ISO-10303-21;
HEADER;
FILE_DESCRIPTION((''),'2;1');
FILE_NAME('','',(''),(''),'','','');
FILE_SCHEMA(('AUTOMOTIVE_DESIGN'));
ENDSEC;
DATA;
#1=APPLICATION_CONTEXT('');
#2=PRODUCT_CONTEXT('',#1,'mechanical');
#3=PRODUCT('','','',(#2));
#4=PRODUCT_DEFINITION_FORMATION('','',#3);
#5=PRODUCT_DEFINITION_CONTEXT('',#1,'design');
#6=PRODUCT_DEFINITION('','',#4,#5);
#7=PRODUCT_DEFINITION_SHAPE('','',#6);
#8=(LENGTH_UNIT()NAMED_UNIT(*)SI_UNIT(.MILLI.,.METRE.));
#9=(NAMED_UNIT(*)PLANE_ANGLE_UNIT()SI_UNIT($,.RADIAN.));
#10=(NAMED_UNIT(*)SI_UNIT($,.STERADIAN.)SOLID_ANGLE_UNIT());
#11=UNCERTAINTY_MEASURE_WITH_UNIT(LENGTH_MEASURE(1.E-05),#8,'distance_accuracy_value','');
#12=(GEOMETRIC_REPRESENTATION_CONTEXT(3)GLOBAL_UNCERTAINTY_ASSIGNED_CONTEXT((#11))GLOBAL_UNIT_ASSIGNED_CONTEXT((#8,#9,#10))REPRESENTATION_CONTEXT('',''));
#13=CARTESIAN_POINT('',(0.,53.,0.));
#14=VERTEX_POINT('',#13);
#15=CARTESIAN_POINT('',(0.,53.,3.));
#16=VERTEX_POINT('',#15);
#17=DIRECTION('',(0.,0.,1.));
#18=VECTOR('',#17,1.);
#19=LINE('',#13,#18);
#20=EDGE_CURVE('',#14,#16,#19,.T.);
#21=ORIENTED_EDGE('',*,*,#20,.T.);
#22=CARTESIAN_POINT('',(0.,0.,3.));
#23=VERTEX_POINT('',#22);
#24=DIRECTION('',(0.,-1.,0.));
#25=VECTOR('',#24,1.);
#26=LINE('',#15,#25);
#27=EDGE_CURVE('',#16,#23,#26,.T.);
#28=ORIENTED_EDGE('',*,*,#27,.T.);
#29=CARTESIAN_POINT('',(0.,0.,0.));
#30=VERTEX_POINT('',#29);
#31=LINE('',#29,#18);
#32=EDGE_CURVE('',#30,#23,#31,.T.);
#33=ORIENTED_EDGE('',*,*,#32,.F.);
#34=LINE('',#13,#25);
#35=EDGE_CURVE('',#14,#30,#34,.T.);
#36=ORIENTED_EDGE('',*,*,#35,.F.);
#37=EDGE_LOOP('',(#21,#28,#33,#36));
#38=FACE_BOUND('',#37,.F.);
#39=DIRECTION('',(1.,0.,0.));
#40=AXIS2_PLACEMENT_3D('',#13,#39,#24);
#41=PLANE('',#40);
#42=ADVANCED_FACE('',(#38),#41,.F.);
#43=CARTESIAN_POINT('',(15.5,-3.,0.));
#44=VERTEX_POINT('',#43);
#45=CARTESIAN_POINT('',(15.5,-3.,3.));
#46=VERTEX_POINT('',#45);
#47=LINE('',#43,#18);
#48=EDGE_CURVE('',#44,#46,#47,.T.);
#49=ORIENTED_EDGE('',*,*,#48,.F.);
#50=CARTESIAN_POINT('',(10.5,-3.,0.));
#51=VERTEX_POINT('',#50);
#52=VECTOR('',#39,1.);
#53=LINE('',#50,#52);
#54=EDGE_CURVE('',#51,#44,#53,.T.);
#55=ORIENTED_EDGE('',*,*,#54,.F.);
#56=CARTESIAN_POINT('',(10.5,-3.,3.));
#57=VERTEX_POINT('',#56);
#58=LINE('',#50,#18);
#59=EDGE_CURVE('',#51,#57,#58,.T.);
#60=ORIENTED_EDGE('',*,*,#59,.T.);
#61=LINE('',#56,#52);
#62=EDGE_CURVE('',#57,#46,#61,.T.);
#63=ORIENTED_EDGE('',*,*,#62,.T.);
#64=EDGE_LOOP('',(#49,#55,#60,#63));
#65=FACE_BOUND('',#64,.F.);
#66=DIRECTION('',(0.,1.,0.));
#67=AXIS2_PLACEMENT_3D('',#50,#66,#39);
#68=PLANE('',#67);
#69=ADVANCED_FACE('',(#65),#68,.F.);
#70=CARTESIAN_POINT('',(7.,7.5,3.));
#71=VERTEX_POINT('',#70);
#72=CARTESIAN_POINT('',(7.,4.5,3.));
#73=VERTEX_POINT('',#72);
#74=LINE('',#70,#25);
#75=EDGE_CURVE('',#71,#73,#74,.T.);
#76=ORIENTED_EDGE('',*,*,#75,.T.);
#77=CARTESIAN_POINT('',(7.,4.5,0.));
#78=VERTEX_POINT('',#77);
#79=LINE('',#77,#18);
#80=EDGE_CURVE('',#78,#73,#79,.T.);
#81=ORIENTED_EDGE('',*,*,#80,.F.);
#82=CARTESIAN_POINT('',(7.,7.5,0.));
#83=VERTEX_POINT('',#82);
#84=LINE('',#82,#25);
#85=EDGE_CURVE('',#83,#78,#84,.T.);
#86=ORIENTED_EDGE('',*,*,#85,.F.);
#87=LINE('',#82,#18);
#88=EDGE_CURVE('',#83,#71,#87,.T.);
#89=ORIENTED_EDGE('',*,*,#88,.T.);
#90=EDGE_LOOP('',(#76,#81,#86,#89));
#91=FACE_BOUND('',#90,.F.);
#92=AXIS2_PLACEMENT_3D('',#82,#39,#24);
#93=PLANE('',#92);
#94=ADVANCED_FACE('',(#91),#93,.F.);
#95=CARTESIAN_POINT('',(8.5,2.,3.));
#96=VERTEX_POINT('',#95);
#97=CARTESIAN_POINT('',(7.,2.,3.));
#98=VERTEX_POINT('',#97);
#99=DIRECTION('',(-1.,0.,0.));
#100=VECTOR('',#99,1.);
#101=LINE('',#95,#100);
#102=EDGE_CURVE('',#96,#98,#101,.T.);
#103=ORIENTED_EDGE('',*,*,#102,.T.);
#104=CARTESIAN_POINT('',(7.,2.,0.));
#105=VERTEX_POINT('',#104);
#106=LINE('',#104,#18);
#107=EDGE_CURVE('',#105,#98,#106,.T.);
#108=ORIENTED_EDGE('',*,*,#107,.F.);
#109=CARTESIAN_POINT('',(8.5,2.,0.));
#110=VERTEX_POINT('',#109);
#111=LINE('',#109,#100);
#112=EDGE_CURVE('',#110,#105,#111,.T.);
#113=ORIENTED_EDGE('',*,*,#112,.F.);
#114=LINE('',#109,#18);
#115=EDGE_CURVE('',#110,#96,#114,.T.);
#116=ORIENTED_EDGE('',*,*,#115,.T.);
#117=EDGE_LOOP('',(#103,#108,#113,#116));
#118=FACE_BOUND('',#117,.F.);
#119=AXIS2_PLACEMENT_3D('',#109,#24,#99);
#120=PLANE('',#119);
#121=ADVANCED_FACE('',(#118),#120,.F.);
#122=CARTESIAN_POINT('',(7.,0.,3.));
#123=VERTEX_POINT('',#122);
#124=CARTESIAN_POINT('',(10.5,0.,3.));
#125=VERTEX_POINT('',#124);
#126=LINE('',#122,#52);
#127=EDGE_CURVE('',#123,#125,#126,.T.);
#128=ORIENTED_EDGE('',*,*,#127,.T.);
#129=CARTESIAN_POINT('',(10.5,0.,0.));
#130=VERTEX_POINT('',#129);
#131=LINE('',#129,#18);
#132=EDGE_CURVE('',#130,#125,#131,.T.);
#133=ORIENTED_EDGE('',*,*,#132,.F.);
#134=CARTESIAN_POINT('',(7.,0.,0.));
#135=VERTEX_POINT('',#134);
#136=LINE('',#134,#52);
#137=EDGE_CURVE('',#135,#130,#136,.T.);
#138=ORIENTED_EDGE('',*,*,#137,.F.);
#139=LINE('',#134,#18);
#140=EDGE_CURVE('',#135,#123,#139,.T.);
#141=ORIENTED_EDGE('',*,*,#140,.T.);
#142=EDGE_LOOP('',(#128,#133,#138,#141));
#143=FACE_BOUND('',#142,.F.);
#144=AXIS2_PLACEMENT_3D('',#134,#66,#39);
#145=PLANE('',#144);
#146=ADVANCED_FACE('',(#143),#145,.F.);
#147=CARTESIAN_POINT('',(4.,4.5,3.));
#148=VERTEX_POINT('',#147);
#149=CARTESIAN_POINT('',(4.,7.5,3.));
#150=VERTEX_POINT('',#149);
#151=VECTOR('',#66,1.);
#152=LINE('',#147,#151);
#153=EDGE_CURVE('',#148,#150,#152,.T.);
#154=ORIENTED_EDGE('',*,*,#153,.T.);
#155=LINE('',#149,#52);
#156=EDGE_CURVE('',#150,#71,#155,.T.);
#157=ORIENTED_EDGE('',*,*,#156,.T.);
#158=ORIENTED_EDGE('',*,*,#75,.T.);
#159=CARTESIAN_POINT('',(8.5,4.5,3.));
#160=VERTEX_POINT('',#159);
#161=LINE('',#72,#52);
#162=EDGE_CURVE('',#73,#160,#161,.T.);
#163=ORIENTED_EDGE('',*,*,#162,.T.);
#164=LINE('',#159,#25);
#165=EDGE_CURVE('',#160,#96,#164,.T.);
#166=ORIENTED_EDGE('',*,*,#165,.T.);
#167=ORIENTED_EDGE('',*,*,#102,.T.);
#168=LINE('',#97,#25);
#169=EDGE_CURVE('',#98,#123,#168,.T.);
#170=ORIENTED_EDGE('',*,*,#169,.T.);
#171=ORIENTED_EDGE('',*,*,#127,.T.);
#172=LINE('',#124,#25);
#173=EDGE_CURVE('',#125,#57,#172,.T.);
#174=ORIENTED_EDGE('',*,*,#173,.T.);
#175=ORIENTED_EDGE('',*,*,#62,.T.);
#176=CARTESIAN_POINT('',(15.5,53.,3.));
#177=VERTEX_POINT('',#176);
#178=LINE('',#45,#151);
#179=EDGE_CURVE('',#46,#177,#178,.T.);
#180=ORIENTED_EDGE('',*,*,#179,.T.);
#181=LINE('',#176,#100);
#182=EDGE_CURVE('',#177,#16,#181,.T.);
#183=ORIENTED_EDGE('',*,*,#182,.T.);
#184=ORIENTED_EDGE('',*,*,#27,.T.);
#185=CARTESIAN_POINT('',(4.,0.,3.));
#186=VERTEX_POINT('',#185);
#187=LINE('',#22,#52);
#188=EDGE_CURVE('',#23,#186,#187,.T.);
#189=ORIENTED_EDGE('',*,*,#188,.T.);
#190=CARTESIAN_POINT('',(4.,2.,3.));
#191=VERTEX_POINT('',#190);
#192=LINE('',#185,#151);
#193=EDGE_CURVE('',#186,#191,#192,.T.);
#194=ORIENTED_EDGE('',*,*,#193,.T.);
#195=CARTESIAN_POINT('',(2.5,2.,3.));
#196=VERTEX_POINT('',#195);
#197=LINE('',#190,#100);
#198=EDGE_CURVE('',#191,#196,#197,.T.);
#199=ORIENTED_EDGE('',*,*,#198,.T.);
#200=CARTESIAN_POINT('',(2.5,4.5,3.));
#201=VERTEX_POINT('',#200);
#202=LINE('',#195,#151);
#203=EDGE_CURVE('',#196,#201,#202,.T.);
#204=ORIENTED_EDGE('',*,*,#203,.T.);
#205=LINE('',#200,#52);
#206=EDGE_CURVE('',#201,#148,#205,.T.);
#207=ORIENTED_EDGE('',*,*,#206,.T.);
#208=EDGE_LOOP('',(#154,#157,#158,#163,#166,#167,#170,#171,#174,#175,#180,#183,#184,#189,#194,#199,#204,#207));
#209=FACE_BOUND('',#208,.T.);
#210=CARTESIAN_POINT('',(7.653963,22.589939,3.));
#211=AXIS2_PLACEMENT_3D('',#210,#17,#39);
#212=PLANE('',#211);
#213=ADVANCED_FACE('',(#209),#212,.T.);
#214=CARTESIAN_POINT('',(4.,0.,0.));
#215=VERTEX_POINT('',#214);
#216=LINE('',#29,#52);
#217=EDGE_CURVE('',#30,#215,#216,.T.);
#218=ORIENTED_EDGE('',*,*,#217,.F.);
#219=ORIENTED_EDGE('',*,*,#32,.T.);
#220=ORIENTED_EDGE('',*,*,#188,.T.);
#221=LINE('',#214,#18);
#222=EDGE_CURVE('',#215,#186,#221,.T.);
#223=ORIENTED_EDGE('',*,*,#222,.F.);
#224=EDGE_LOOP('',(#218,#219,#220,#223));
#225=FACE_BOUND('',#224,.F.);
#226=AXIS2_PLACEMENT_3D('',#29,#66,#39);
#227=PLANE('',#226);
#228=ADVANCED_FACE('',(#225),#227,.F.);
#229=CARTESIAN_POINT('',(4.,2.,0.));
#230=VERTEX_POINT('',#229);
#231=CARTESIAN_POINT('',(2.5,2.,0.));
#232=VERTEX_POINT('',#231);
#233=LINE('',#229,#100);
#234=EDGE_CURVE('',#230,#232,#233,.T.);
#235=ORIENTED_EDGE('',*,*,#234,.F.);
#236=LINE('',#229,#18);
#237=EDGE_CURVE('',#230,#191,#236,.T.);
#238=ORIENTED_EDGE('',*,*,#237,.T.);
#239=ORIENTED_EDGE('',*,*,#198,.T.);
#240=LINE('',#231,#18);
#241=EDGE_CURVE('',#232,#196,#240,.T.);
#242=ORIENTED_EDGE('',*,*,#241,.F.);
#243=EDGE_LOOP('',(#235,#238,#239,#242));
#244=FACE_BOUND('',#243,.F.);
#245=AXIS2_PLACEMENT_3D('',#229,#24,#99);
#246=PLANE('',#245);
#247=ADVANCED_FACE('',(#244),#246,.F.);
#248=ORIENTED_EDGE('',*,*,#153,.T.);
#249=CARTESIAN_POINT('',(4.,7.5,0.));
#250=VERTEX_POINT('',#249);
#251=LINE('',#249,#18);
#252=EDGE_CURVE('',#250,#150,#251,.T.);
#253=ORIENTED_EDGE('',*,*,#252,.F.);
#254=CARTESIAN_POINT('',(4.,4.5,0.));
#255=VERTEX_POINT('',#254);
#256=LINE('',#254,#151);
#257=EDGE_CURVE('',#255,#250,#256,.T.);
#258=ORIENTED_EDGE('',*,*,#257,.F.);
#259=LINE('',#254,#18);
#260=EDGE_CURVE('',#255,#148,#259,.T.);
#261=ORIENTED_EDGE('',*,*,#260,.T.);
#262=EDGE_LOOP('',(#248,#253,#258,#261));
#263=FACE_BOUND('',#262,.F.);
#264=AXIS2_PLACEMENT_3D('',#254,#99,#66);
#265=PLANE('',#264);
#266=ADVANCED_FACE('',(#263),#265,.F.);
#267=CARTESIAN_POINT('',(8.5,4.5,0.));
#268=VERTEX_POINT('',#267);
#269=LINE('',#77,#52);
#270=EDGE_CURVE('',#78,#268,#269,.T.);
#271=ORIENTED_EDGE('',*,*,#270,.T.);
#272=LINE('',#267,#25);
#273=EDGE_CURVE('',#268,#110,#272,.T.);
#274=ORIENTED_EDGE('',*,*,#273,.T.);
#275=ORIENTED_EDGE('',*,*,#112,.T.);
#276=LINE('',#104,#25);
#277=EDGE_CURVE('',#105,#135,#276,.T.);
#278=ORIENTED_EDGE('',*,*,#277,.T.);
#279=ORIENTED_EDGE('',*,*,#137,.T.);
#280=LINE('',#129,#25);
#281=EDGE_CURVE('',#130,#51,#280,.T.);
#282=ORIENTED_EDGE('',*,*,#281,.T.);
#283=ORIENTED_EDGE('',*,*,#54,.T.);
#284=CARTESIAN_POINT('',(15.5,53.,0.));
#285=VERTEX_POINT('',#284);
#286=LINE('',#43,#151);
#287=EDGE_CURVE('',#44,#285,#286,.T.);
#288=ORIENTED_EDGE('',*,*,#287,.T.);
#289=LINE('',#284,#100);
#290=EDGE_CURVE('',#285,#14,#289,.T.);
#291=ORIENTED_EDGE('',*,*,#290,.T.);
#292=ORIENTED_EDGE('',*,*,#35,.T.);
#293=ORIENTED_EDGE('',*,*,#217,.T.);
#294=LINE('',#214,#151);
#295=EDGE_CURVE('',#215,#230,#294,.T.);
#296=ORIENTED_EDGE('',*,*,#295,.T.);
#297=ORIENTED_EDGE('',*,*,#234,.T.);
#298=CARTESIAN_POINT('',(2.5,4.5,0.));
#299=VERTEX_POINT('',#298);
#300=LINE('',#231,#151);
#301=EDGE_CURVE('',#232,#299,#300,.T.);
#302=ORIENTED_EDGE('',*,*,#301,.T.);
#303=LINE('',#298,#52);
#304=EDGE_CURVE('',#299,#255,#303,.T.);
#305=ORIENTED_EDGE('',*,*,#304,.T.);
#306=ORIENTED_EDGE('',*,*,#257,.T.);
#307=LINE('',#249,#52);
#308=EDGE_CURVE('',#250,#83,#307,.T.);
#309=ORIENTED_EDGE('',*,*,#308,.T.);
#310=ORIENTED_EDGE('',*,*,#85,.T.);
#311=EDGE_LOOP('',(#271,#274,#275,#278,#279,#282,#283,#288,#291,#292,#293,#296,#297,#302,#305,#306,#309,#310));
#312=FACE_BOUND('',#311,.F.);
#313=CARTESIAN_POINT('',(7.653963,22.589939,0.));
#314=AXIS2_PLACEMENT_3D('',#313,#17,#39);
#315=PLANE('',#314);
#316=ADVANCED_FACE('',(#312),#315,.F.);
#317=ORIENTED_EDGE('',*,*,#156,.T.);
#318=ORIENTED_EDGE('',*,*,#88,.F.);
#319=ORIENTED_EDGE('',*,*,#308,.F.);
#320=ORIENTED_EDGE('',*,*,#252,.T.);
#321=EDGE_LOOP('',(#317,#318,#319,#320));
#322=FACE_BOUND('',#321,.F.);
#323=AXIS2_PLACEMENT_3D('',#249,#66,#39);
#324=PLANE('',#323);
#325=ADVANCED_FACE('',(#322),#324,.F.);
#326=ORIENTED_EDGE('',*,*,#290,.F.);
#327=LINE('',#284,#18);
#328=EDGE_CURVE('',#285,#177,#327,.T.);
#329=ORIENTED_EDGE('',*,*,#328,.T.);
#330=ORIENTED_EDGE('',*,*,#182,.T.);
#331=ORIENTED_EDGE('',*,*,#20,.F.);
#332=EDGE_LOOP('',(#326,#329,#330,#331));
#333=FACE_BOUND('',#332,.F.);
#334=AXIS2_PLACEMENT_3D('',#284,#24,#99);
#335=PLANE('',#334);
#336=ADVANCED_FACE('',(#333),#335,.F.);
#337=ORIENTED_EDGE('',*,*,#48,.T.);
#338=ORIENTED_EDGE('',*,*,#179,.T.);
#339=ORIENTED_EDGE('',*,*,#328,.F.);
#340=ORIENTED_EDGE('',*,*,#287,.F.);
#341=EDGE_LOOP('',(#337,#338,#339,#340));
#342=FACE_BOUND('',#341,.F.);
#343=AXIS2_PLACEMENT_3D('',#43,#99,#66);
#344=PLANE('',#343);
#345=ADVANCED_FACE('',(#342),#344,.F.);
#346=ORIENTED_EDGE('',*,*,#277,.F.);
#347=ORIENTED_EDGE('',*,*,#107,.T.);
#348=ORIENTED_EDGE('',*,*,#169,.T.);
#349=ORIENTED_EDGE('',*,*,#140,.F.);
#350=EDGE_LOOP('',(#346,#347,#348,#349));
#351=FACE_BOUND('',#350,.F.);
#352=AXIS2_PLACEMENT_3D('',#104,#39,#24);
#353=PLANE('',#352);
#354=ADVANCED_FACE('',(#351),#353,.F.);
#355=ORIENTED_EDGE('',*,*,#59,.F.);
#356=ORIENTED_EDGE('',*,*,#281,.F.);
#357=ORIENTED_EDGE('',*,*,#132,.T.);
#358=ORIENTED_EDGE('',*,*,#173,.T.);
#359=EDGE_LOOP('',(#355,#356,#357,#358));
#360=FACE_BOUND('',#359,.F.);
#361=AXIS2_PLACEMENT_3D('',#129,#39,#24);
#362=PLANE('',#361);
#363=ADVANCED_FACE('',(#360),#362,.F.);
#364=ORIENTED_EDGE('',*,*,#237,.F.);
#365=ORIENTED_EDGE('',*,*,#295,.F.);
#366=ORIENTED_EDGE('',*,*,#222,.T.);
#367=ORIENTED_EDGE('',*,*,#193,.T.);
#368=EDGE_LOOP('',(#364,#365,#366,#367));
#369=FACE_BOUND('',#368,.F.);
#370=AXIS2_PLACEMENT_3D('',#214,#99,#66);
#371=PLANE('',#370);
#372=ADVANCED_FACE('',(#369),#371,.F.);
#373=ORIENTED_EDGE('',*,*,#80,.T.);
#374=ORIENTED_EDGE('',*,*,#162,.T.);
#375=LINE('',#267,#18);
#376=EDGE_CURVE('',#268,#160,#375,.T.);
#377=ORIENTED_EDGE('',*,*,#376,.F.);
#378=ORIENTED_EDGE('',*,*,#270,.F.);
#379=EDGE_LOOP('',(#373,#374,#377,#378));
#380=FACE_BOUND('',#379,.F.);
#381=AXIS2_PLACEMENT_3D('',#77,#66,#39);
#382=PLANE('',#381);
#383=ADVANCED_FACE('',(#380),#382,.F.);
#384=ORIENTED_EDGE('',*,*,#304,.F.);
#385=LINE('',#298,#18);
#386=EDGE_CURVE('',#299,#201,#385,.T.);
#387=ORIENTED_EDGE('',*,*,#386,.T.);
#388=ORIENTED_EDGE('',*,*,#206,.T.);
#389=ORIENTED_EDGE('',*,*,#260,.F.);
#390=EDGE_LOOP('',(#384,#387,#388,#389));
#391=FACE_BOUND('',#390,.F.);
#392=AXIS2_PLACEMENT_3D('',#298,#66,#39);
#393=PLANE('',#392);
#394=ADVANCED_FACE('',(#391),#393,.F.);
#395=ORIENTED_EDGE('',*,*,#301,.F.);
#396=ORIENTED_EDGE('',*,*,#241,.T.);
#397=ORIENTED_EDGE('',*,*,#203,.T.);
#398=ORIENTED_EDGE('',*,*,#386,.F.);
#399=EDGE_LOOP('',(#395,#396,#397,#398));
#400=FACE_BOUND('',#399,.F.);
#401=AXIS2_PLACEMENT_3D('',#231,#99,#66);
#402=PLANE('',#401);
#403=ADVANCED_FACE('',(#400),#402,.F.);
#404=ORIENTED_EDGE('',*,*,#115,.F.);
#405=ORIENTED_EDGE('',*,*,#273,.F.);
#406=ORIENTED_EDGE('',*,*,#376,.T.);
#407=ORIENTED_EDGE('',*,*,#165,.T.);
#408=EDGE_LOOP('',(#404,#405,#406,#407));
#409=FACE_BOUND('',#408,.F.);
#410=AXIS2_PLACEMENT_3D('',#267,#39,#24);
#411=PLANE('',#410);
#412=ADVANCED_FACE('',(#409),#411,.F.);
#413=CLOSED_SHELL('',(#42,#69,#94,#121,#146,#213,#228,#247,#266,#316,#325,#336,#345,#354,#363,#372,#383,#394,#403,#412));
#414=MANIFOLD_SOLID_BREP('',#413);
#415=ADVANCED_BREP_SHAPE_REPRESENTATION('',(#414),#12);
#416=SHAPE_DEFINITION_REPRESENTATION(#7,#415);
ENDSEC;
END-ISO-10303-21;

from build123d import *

# Parameters (mm, degrees)
F1_DEPTH = 3


with BuildPart() as f1:
    # F0 (on Top) → F1 (new body)
    with BuildSketch(Plane.XY):
        Polygon((0, 53), (0, 0), (4, 0), (4, 2), (2.5, 2), (2.5, 4.5), (4, 4.5), (4, 7.5), (7, 7.5), (7, 4.5), (8.5, 4.5), (8.5, 2), (7, 2), (7, 0), (10.5, 0), (10.5, -3), (15.5, -3), (15.5, 53), align=None)
    extrude(amount=F1_DEPTH)


solid = f1.part
